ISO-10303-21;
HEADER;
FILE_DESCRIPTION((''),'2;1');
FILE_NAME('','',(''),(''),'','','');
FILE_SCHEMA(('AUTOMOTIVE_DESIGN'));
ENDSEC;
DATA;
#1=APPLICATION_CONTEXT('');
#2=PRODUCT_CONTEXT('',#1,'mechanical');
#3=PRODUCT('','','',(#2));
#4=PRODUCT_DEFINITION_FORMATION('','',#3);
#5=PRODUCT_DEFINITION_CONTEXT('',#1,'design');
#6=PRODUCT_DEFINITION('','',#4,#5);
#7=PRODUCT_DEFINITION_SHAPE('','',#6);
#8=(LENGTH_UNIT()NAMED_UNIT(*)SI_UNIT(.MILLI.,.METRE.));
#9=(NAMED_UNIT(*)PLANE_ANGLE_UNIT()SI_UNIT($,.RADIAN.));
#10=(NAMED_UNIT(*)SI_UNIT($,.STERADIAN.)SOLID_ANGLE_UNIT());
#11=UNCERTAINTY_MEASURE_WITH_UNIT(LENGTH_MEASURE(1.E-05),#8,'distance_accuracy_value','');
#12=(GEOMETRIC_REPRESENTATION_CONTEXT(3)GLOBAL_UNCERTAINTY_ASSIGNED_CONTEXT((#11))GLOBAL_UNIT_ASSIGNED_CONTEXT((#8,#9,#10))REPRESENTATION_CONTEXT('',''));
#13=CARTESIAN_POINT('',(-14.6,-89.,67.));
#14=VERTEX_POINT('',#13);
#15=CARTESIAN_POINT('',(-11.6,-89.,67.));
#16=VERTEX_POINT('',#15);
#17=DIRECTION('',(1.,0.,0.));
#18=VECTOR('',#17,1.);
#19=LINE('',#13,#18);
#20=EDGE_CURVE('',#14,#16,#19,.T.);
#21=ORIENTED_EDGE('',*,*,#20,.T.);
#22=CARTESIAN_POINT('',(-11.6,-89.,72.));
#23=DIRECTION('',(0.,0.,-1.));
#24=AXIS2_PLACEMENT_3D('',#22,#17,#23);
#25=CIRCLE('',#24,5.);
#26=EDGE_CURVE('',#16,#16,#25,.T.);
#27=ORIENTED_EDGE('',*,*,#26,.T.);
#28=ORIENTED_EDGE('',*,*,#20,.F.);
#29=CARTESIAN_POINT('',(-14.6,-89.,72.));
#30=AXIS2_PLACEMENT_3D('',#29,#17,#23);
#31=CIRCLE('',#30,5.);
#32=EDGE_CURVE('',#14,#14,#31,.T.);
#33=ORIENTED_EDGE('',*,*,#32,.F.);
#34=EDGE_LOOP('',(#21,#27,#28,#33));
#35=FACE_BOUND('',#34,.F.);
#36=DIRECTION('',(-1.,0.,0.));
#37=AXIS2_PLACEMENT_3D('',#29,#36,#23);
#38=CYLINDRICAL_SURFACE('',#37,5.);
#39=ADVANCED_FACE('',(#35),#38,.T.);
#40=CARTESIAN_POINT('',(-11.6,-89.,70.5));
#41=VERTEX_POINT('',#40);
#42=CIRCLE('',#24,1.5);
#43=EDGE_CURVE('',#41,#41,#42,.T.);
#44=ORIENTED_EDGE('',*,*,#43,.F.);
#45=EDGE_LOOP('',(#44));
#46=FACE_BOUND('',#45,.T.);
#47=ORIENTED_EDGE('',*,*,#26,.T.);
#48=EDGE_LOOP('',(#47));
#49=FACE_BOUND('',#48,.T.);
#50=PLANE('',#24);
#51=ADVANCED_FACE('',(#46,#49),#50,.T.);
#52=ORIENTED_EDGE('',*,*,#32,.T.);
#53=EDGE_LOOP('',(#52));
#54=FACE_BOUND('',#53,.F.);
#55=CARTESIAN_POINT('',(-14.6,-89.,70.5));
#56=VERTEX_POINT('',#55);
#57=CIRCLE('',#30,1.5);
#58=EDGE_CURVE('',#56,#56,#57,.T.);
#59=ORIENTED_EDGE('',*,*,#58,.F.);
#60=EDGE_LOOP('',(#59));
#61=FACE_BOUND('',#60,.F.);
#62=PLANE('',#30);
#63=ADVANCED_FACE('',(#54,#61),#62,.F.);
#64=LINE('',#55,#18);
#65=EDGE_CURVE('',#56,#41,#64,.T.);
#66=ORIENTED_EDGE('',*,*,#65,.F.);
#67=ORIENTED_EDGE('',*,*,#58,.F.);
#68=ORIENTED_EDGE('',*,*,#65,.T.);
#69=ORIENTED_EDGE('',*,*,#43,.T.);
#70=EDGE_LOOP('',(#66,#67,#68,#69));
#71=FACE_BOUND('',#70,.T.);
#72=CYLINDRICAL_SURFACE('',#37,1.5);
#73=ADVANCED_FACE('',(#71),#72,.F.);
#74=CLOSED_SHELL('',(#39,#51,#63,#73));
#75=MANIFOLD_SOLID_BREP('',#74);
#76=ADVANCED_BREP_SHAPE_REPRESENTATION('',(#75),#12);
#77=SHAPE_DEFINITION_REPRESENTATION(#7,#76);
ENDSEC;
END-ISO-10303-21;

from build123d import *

# Parameters (mm, degrees)
CYLINDER345_R     = 1.5
CYLINDER345_DEPTH = 3
CYLINDER344_R     = 5
CYLINDER344_DEPTH = 3


with BuildPart() as cylinder345:
    # Cylinder345 → Cylinder345 (new body)
    with BuildSketch(Plane(origin=(-14.6, -89, 72), x_dir=(0, 0, -1), z_dir=(1, 0, 0))):
        Circle(CYLINDER345_R)
    extrude(amount=CYLINDER345_DEPTH)


with BuildPart() as bearing_arm:
    # Cylinder344 → Cylinder344 (new body)
    with BuildSketch(Plane(origin=(-14.6, -89, 72), x_dir=(0, 0, -1), z_dir=(1, 0, 0))):
        Circle(CYLINDER344_R)
    extrude(amount=CYLINDER344_DEPTH)

    # Cut363: cut Cylinder345
    add(cylinder345.part, mode=Mode.SUBTRACT)


solid = bearing_arm.part
